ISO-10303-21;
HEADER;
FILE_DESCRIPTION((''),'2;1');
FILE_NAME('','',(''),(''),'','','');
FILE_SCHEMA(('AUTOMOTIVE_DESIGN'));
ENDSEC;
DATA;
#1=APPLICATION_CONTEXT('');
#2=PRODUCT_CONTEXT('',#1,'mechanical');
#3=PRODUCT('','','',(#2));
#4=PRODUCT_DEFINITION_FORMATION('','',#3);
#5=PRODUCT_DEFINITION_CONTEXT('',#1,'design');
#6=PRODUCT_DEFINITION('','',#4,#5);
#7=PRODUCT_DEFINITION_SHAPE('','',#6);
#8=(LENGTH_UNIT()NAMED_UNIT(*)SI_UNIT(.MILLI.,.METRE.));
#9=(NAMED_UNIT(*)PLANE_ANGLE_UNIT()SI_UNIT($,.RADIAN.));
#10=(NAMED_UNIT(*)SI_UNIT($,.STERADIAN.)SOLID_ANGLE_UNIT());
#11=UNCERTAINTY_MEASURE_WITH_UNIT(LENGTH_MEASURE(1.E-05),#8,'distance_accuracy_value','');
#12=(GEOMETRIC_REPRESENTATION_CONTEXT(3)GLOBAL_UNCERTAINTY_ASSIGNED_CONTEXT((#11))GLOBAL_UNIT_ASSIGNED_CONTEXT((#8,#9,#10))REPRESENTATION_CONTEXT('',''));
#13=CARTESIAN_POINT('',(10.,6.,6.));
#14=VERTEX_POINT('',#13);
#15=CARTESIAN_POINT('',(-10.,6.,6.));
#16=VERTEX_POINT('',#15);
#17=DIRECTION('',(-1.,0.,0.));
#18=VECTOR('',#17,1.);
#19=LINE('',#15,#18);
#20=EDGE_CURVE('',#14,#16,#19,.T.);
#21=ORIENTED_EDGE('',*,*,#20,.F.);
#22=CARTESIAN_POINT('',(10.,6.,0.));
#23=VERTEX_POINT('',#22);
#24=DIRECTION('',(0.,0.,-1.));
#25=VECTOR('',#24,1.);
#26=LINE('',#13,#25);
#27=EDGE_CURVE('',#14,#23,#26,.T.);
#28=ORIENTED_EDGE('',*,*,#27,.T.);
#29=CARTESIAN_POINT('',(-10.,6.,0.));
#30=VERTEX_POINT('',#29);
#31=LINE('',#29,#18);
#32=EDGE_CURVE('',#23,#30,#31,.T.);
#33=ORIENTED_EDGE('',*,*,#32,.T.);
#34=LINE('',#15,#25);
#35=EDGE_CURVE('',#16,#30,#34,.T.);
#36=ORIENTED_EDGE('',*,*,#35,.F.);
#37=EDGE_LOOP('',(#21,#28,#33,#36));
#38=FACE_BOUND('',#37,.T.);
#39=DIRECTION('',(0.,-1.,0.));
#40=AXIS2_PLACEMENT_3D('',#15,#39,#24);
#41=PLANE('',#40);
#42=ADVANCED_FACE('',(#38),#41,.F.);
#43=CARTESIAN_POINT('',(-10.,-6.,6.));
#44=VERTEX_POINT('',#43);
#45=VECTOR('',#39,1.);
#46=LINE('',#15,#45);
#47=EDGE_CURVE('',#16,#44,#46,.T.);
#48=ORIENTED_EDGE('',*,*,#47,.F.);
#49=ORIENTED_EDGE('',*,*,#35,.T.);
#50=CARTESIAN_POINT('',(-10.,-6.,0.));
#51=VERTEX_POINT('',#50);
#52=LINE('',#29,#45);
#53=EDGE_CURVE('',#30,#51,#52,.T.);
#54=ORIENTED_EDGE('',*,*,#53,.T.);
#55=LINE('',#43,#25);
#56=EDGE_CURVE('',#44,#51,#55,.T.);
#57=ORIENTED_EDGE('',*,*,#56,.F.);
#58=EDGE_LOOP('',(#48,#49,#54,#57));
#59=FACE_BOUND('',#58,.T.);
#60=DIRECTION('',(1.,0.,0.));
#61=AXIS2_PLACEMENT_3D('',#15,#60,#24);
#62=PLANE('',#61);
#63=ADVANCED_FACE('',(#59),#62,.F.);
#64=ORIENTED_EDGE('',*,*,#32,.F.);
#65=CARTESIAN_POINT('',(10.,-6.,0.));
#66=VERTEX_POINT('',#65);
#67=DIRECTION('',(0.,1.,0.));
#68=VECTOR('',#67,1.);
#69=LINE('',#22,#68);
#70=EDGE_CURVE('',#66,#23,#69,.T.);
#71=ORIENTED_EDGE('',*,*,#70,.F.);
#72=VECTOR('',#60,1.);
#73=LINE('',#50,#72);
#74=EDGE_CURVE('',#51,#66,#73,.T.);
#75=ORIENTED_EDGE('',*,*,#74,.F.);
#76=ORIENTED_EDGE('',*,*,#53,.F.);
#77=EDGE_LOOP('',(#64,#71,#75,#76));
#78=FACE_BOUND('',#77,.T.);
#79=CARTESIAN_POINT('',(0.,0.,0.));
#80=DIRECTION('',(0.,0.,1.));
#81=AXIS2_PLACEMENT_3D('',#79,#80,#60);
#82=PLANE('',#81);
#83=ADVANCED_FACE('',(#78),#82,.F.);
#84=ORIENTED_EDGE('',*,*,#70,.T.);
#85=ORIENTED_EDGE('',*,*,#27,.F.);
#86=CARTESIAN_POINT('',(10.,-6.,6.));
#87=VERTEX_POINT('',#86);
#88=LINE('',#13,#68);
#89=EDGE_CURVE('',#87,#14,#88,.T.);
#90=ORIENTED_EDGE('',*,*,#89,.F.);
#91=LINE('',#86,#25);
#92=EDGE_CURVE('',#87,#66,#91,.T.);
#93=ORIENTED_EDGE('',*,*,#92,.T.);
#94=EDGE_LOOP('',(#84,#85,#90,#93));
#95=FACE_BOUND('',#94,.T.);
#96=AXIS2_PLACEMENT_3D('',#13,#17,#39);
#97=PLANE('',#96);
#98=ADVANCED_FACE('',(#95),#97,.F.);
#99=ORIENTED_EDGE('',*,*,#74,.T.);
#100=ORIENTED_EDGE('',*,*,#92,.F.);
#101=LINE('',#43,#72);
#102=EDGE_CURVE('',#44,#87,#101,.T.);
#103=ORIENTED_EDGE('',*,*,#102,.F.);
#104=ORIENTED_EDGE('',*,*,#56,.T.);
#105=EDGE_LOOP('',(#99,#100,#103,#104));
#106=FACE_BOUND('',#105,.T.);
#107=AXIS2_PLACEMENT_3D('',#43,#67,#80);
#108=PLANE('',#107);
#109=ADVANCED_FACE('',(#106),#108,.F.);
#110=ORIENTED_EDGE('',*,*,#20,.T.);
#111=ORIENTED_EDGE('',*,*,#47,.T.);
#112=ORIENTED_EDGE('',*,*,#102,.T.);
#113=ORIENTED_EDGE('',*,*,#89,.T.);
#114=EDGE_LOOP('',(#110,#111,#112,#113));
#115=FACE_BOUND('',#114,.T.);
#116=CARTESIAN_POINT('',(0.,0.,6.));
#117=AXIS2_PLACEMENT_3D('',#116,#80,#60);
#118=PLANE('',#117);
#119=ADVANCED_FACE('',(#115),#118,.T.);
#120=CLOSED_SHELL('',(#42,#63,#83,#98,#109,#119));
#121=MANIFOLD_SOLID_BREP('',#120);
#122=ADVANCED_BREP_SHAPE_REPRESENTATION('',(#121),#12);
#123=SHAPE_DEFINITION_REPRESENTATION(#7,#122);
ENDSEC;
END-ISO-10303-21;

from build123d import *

# Parameters (mm, degrees)
SKETCH1_W           = 20
SKETCH1_H           = 12
BOSS_EXTRUDE1_DEPTH = 6


with BuildPart() as part:
    # Sketch1 → Boss-Extrude1 (new body)
    with BuildSketch(Plane.XY):
        Rectangle(SKETCH1_W, SKETCH1_H)
    extrude(amount=BOSS_EXTRUDE1_DEPTH)


solid = part.part
